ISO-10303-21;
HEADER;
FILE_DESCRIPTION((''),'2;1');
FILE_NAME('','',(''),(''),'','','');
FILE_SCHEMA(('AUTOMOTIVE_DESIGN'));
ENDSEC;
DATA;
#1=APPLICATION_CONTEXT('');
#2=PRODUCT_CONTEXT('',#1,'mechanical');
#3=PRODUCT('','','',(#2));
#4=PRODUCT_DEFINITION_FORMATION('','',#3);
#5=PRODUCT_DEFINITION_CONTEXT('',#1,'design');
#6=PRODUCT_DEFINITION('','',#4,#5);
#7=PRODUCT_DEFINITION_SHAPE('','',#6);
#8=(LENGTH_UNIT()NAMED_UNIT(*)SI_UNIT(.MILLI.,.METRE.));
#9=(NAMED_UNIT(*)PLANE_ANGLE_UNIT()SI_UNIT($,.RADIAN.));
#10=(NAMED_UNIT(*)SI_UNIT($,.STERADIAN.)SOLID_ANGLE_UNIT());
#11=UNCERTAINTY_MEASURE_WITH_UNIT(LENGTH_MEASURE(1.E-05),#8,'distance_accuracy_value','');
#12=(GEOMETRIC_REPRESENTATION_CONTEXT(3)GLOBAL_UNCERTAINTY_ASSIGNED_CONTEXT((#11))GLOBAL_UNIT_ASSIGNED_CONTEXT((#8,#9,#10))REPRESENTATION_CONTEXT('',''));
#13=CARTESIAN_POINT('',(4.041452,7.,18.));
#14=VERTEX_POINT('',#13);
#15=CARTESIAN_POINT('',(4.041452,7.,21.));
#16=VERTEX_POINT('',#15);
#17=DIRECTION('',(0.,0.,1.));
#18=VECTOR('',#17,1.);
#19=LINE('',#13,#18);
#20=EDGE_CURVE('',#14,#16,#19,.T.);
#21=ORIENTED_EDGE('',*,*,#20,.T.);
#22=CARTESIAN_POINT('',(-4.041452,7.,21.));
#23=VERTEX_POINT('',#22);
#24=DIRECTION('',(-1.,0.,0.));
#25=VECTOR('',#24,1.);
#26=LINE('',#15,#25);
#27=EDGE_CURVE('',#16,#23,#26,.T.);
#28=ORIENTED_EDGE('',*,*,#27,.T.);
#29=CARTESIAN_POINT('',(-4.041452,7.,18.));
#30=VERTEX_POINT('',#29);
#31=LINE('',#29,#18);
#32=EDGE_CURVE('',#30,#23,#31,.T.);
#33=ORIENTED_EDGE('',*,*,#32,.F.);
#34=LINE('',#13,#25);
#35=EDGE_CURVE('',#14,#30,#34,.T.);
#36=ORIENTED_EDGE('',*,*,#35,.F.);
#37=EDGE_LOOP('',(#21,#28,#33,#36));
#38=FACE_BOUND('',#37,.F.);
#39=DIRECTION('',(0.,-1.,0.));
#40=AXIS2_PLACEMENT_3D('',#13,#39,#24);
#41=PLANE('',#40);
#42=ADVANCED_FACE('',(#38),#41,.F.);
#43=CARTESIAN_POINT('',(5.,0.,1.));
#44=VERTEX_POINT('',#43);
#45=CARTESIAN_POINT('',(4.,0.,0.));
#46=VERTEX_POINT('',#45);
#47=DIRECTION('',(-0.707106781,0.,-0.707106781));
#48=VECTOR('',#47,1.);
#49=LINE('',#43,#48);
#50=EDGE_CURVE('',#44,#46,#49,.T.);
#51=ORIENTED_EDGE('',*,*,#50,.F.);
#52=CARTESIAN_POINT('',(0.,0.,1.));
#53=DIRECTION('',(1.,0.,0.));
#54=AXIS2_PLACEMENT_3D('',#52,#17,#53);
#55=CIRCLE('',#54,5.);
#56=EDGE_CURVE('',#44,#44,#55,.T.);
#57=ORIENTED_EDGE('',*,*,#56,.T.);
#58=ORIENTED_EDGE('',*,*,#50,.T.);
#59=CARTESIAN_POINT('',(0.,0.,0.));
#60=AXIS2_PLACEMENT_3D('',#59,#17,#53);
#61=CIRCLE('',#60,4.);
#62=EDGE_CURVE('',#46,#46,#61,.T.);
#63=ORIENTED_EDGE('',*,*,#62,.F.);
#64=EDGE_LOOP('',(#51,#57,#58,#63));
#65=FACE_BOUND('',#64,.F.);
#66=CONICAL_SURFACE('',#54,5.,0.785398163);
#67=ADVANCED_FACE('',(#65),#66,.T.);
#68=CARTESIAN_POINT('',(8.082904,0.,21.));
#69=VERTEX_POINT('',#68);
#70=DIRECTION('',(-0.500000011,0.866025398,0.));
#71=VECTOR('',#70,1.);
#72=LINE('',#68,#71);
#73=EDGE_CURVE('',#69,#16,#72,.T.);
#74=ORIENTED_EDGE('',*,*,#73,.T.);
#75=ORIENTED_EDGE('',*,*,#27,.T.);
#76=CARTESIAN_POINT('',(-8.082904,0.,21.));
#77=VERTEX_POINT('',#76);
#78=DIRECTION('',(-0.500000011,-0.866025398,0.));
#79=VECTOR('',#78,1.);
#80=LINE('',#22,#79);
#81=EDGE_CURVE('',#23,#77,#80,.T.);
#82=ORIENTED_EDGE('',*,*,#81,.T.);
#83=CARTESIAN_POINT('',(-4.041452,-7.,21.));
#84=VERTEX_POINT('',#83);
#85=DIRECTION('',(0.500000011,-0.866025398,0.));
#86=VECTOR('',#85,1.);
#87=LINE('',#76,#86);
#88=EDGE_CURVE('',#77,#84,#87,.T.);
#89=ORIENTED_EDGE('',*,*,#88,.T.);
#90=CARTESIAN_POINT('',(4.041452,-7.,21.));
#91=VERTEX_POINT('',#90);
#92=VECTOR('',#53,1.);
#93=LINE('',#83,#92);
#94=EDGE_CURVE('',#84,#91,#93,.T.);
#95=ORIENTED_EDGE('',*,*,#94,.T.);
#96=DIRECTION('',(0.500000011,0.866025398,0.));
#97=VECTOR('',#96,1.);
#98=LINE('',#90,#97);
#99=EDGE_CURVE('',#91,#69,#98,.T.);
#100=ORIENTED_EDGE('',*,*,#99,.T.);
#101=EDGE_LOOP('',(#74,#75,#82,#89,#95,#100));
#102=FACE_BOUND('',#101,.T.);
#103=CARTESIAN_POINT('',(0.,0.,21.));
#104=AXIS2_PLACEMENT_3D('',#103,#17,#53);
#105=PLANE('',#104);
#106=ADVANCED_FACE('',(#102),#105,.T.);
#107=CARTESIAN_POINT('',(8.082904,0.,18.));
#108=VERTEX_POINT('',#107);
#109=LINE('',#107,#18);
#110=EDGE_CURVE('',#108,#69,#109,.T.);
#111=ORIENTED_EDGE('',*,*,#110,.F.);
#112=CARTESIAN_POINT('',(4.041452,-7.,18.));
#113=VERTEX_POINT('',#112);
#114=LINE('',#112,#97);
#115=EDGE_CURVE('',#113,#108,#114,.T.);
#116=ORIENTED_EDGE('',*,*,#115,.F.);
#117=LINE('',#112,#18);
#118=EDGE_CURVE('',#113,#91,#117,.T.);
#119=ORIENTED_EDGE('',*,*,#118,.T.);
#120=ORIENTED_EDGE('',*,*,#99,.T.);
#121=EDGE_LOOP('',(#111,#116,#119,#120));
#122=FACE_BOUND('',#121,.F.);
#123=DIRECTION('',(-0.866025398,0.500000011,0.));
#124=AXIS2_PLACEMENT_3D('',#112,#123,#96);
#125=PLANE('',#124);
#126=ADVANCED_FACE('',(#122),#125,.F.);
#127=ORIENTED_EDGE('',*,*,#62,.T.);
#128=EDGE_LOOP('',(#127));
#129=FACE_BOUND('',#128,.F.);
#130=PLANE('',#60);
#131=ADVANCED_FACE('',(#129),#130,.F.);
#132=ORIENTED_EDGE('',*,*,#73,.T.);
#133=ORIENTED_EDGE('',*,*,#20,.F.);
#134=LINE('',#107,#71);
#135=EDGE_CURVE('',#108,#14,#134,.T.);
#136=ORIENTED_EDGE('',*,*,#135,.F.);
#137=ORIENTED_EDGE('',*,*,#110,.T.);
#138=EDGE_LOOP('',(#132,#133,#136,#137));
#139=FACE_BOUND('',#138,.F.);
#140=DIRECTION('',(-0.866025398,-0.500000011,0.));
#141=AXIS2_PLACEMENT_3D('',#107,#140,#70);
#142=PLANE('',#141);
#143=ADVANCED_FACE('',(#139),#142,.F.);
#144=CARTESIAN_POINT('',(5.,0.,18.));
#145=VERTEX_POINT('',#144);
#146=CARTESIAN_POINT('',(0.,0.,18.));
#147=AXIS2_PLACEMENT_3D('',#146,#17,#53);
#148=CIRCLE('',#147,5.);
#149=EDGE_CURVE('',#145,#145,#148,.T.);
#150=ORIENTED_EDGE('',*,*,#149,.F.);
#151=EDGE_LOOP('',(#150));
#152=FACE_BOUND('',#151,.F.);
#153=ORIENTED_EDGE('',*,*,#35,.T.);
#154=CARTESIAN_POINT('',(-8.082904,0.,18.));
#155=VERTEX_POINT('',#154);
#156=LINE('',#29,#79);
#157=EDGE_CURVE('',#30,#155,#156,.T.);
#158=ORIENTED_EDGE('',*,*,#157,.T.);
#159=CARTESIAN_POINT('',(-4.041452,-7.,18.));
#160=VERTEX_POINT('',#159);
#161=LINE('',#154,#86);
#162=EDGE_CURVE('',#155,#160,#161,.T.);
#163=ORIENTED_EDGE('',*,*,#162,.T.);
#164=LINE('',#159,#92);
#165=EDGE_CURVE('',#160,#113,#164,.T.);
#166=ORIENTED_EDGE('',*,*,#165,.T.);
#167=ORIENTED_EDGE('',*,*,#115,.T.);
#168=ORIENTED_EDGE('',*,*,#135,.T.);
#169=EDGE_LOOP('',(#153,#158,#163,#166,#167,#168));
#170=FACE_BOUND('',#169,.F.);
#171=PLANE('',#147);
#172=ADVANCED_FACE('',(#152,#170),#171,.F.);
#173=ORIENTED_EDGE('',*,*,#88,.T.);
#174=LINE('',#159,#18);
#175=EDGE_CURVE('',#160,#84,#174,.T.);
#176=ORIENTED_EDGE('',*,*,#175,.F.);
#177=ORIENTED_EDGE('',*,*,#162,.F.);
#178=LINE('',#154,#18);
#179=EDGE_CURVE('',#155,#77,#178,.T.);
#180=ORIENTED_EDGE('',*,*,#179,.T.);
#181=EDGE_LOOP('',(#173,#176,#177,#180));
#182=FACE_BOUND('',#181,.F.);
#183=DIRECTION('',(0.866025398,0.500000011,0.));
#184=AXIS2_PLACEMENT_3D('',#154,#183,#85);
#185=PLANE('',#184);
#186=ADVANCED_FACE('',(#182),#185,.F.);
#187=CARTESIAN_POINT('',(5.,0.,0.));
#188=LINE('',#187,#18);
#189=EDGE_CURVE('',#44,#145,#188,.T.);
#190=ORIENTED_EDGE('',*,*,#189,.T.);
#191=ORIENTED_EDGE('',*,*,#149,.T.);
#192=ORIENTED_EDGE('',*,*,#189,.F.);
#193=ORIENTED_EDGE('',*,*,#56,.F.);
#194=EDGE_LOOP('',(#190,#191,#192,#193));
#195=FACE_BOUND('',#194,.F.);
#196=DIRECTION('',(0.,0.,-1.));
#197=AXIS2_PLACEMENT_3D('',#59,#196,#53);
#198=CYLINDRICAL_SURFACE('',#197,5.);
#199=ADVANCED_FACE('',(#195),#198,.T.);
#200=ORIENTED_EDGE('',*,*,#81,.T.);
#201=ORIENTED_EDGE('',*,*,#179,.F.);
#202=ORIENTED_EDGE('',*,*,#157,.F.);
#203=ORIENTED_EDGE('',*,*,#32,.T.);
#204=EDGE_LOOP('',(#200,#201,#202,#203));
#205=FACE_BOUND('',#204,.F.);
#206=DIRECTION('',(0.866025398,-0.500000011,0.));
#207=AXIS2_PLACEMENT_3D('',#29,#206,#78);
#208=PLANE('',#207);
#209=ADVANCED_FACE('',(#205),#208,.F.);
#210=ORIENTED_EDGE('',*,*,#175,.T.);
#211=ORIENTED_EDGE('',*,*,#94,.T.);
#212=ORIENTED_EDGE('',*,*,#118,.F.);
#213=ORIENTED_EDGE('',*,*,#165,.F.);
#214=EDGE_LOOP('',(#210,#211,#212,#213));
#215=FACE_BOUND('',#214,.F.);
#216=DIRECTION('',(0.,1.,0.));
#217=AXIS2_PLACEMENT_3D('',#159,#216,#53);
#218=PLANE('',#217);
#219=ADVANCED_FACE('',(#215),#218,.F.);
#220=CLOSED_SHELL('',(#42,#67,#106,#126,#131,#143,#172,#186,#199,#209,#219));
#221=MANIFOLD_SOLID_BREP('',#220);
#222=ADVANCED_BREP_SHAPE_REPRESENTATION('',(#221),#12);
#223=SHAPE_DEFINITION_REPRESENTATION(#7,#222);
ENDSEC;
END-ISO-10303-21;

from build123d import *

# Parameters (mm, degrees)
F0_R     = 5
F1_DEPTH = 18
F2_SIZE2 = 1
F2_SIZE  = 1
F4_DEPTH = 3


with BuildPart() as f1:
    # F0 (on Top) → F1 (new body)
    with BuildSketch(Plane.XY):
        Circle(F0_R)
    extrude(amount=F1_DEPTH)

    # F2
    f2_edges = [f1.edges().sort_by_distance(p)[0] for p in [
        (-5, 0, 0),
    ]]
    chamfer(f2_edges, length=F2_SIZE, length2=F2_SIZE2)

    # F3 (on face) → F4 (join)
    with BuildSketch(Plane.XY.offset(18)):
        Polygon((8.082904, 0), (4.041452, 7), (-4.041452, 7), (-8.082904, 0), (-4.041452, -7), (4.041452, -7), align=None)
    extrude(amount=F4_DEPTH)


solid = f1.part
